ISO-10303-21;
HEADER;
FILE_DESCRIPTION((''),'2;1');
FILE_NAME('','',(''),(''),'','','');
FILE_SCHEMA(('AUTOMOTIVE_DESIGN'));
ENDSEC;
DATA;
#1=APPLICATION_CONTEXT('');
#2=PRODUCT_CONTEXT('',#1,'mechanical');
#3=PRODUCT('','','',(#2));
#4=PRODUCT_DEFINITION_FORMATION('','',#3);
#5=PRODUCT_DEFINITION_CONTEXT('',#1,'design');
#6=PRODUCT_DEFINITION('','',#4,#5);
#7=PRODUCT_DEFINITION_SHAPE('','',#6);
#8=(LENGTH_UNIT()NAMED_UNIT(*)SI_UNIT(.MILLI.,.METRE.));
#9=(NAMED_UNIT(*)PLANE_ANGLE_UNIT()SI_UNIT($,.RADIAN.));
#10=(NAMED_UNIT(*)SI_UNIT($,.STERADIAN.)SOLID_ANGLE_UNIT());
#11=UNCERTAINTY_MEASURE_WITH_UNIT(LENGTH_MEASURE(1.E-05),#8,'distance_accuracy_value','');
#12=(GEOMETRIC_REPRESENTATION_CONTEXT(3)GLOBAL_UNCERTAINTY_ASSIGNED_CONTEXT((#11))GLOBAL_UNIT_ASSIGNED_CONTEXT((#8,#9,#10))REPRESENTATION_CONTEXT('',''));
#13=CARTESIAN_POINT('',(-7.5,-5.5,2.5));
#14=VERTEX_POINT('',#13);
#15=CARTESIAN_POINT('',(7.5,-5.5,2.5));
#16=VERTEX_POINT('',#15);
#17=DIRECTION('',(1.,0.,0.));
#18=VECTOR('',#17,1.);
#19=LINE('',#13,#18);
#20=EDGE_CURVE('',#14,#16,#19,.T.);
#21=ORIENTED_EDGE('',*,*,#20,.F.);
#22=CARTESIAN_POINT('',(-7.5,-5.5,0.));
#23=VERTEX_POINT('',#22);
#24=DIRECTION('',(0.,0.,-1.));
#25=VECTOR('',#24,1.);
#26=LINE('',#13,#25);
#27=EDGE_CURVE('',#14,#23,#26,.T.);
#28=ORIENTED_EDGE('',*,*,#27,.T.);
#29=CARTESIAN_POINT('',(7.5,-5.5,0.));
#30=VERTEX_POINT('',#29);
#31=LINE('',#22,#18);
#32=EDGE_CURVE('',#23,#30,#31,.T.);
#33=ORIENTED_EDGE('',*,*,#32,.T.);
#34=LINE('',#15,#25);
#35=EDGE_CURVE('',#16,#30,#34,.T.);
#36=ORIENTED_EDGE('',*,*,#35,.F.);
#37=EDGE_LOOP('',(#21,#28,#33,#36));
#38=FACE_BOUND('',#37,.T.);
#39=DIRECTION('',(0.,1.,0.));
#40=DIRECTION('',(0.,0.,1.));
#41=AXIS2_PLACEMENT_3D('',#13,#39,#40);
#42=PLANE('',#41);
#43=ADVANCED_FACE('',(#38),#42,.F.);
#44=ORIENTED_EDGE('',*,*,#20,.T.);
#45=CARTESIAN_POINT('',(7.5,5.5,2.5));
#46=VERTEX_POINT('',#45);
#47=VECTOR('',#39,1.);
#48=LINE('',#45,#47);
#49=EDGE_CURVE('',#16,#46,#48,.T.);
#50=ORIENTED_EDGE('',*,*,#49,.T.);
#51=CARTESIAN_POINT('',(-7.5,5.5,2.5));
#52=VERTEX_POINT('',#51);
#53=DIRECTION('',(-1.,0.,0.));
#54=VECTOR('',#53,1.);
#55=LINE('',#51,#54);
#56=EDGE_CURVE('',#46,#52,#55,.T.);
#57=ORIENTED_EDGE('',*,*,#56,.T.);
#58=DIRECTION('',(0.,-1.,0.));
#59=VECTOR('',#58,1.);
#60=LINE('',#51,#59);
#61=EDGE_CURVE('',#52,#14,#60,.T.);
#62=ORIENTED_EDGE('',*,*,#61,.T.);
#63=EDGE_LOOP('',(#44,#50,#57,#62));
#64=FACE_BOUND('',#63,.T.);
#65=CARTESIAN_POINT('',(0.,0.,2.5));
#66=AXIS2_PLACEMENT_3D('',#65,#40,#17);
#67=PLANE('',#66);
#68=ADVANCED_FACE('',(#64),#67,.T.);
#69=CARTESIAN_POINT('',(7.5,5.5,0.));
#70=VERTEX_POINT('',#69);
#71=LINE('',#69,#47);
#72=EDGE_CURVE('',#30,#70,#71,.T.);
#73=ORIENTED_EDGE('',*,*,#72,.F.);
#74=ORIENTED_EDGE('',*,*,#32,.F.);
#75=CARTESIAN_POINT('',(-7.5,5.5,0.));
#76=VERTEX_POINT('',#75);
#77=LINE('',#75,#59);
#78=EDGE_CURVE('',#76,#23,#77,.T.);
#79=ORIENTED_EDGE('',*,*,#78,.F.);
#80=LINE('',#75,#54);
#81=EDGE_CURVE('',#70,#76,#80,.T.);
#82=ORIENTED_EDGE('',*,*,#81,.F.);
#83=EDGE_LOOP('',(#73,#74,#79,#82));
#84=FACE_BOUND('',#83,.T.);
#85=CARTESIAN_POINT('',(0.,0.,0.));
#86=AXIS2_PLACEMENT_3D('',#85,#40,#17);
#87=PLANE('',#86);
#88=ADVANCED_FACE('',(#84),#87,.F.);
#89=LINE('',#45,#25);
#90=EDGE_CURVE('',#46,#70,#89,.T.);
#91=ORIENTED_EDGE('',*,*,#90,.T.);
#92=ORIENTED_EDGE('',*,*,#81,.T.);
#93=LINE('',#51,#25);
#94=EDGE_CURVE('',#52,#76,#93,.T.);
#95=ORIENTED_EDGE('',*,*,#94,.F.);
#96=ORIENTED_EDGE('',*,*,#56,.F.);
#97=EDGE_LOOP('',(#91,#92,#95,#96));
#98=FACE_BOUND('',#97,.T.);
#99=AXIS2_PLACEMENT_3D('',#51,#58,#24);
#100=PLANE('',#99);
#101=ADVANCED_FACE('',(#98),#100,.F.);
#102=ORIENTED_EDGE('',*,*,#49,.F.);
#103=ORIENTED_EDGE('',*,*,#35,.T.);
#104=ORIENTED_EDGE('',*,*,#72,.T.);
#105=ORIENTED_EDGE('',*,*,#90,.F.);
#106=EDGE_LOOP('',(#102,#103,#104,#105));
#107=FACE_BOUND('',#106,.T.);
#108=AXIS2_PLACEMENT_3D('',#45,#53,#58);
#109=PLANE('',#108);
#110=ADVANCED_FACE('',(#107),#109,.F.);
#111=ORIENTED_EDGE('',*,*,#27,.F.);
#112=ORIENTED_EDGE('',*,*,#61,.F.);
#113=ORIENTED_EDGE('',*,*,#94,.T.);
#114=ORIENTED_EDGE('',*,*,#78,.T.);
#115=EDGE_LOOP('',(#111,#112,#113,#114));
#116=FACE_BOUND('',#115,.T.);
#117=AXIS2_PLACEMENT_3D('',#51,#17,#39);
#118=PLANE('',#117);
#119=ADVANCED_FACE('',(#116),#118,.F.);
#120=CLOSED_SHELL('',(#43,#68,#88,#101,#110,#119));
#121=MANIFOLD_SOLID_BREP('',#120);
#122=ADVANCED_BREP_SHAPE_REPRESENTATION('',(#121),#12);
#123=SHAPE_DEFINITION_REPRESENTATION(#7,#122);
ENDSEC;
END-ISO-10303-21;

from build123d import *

# Parameters (mm, degrees)
ESQUISSE1_W        = 15
ESQUISSE1_H        = 11
BOSS_EXTRU_1_DEPTH = 2.5


with BuildPart() as part:
    # Esquisse1 → Boss.-Extru.1 (new body)
    with BuildSketch(Plane.XY):
        Rectangle(ESQUISSE1_W, ESQUISSE1_H)
    extrude(amount=BOSS_EXTRU_1_DEPTH)


solid = part.part
